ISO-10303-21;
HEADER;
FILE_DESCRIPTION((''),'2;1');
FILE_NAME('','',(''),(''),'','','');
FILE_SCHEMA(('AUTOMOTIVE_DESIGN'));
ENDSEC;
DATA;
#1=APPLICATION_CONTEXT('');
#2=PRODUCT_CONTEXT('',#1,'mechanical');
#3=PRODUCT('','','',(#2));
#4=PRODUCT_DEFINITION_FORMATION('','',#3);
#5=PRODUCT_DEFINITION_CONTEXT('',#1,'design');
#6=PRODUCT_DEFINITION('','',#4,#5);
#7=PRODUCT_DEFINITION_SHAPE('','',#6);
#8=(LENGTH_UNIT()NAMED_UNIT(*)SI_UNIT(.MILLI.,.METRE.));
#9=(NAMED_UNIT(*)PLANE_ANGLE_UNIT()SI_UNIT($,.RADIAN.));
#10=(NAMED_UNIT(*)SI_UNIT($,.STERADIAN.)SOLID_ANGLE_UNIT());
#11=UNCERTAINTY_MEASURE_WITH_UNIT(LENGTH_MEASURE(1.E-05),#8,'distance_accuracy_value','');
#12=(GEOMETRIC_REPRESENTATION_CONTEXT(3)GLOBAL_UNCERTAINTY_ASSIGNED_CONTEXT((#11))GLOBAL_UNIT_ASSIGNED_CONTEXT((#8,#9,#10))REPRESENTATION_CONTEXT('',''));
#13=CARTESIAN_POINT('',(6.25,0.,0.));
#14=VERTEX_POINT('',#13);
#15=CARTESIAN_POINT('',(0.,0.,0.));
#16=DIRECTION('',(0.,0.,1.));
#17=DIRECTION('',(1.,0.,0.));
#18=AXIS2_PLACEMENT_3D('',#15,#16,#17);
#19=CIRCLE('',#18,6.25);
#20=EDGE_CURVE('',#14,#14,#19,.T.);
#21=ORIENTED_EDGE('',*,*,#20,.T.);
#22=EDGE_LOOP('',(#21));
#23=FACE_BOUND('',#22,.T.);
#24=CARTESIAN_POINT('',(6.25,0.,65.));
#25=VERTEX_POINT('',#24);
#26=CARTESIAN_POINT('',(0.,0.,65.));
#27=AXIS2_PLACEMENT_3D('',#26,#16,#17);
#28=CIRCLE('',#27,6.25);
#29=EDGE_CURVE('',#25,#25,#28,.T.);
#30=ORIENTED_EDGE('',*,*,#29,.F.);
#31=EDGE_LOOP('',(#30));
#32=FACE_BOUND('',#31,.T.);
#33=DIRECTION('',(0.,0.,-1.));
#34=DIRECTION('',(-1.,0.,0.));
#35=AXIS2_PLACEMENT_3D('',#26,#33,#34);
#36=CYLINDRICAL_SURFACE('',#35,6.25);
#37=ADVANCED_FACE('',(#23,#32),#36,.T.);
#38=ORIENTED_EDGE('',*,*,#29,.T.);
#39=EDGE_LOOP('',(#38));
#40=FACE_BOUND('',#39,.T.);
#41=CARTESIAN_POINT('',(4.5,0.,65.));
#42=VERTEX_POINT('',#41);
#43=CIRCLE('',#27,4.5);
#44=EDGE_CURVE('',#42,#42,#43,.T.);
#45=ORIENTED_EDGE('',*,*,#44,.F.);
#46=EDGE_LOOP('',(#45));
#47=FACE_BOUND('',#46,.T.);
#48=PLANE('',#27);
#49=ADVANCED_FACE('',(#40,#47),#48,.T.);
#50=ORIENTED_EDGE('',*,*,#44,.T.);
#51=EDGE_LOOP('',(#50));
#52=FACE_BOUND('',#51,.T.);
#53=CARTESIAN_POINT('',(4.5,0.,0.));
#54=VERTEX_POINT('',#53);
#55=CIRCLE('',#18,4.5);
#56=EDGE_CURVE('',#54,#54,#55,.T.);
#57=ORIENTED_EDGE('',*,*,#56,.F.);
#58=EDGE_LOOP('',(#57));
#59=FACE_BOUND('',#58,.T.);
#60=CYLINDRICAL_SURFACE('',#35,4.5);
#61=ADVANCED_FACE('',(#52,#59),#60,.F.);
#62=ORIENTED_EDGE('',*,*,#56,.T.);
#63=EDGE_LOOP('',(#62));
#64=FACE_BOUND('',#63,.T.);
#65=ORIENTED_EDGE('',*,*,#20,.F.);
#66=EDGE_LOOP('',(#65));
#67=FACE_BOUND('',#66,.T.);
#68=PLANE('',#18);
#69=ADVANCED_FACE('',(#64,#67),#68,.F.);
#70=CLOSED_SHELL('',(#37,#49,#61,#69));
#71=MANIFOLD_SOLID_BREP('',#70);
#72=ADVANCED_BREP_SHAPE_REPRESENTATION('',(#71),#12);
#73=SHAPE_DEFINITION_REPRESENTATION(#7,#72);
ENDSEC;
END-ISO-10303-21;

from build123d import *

# Parameters (mm, degrees)
SKETCH_1_R      = 6.25
SKETCH_1_R_2    = 4.5
EXTRUDE_1_DEPTH = 65


with BuildPart() as part:
    # Эскиз1 → Бобышка-Вытянуть1 (new body)
    with BuildSketch(Plane.XY):
        Circle(SKETCH_1_R)
        Circle(SKETCH_1_R_2, mode=Mode.SUBTRACT)
    extrude(amount=EXTRUDE_1_DEPTH)


solid = part.part
